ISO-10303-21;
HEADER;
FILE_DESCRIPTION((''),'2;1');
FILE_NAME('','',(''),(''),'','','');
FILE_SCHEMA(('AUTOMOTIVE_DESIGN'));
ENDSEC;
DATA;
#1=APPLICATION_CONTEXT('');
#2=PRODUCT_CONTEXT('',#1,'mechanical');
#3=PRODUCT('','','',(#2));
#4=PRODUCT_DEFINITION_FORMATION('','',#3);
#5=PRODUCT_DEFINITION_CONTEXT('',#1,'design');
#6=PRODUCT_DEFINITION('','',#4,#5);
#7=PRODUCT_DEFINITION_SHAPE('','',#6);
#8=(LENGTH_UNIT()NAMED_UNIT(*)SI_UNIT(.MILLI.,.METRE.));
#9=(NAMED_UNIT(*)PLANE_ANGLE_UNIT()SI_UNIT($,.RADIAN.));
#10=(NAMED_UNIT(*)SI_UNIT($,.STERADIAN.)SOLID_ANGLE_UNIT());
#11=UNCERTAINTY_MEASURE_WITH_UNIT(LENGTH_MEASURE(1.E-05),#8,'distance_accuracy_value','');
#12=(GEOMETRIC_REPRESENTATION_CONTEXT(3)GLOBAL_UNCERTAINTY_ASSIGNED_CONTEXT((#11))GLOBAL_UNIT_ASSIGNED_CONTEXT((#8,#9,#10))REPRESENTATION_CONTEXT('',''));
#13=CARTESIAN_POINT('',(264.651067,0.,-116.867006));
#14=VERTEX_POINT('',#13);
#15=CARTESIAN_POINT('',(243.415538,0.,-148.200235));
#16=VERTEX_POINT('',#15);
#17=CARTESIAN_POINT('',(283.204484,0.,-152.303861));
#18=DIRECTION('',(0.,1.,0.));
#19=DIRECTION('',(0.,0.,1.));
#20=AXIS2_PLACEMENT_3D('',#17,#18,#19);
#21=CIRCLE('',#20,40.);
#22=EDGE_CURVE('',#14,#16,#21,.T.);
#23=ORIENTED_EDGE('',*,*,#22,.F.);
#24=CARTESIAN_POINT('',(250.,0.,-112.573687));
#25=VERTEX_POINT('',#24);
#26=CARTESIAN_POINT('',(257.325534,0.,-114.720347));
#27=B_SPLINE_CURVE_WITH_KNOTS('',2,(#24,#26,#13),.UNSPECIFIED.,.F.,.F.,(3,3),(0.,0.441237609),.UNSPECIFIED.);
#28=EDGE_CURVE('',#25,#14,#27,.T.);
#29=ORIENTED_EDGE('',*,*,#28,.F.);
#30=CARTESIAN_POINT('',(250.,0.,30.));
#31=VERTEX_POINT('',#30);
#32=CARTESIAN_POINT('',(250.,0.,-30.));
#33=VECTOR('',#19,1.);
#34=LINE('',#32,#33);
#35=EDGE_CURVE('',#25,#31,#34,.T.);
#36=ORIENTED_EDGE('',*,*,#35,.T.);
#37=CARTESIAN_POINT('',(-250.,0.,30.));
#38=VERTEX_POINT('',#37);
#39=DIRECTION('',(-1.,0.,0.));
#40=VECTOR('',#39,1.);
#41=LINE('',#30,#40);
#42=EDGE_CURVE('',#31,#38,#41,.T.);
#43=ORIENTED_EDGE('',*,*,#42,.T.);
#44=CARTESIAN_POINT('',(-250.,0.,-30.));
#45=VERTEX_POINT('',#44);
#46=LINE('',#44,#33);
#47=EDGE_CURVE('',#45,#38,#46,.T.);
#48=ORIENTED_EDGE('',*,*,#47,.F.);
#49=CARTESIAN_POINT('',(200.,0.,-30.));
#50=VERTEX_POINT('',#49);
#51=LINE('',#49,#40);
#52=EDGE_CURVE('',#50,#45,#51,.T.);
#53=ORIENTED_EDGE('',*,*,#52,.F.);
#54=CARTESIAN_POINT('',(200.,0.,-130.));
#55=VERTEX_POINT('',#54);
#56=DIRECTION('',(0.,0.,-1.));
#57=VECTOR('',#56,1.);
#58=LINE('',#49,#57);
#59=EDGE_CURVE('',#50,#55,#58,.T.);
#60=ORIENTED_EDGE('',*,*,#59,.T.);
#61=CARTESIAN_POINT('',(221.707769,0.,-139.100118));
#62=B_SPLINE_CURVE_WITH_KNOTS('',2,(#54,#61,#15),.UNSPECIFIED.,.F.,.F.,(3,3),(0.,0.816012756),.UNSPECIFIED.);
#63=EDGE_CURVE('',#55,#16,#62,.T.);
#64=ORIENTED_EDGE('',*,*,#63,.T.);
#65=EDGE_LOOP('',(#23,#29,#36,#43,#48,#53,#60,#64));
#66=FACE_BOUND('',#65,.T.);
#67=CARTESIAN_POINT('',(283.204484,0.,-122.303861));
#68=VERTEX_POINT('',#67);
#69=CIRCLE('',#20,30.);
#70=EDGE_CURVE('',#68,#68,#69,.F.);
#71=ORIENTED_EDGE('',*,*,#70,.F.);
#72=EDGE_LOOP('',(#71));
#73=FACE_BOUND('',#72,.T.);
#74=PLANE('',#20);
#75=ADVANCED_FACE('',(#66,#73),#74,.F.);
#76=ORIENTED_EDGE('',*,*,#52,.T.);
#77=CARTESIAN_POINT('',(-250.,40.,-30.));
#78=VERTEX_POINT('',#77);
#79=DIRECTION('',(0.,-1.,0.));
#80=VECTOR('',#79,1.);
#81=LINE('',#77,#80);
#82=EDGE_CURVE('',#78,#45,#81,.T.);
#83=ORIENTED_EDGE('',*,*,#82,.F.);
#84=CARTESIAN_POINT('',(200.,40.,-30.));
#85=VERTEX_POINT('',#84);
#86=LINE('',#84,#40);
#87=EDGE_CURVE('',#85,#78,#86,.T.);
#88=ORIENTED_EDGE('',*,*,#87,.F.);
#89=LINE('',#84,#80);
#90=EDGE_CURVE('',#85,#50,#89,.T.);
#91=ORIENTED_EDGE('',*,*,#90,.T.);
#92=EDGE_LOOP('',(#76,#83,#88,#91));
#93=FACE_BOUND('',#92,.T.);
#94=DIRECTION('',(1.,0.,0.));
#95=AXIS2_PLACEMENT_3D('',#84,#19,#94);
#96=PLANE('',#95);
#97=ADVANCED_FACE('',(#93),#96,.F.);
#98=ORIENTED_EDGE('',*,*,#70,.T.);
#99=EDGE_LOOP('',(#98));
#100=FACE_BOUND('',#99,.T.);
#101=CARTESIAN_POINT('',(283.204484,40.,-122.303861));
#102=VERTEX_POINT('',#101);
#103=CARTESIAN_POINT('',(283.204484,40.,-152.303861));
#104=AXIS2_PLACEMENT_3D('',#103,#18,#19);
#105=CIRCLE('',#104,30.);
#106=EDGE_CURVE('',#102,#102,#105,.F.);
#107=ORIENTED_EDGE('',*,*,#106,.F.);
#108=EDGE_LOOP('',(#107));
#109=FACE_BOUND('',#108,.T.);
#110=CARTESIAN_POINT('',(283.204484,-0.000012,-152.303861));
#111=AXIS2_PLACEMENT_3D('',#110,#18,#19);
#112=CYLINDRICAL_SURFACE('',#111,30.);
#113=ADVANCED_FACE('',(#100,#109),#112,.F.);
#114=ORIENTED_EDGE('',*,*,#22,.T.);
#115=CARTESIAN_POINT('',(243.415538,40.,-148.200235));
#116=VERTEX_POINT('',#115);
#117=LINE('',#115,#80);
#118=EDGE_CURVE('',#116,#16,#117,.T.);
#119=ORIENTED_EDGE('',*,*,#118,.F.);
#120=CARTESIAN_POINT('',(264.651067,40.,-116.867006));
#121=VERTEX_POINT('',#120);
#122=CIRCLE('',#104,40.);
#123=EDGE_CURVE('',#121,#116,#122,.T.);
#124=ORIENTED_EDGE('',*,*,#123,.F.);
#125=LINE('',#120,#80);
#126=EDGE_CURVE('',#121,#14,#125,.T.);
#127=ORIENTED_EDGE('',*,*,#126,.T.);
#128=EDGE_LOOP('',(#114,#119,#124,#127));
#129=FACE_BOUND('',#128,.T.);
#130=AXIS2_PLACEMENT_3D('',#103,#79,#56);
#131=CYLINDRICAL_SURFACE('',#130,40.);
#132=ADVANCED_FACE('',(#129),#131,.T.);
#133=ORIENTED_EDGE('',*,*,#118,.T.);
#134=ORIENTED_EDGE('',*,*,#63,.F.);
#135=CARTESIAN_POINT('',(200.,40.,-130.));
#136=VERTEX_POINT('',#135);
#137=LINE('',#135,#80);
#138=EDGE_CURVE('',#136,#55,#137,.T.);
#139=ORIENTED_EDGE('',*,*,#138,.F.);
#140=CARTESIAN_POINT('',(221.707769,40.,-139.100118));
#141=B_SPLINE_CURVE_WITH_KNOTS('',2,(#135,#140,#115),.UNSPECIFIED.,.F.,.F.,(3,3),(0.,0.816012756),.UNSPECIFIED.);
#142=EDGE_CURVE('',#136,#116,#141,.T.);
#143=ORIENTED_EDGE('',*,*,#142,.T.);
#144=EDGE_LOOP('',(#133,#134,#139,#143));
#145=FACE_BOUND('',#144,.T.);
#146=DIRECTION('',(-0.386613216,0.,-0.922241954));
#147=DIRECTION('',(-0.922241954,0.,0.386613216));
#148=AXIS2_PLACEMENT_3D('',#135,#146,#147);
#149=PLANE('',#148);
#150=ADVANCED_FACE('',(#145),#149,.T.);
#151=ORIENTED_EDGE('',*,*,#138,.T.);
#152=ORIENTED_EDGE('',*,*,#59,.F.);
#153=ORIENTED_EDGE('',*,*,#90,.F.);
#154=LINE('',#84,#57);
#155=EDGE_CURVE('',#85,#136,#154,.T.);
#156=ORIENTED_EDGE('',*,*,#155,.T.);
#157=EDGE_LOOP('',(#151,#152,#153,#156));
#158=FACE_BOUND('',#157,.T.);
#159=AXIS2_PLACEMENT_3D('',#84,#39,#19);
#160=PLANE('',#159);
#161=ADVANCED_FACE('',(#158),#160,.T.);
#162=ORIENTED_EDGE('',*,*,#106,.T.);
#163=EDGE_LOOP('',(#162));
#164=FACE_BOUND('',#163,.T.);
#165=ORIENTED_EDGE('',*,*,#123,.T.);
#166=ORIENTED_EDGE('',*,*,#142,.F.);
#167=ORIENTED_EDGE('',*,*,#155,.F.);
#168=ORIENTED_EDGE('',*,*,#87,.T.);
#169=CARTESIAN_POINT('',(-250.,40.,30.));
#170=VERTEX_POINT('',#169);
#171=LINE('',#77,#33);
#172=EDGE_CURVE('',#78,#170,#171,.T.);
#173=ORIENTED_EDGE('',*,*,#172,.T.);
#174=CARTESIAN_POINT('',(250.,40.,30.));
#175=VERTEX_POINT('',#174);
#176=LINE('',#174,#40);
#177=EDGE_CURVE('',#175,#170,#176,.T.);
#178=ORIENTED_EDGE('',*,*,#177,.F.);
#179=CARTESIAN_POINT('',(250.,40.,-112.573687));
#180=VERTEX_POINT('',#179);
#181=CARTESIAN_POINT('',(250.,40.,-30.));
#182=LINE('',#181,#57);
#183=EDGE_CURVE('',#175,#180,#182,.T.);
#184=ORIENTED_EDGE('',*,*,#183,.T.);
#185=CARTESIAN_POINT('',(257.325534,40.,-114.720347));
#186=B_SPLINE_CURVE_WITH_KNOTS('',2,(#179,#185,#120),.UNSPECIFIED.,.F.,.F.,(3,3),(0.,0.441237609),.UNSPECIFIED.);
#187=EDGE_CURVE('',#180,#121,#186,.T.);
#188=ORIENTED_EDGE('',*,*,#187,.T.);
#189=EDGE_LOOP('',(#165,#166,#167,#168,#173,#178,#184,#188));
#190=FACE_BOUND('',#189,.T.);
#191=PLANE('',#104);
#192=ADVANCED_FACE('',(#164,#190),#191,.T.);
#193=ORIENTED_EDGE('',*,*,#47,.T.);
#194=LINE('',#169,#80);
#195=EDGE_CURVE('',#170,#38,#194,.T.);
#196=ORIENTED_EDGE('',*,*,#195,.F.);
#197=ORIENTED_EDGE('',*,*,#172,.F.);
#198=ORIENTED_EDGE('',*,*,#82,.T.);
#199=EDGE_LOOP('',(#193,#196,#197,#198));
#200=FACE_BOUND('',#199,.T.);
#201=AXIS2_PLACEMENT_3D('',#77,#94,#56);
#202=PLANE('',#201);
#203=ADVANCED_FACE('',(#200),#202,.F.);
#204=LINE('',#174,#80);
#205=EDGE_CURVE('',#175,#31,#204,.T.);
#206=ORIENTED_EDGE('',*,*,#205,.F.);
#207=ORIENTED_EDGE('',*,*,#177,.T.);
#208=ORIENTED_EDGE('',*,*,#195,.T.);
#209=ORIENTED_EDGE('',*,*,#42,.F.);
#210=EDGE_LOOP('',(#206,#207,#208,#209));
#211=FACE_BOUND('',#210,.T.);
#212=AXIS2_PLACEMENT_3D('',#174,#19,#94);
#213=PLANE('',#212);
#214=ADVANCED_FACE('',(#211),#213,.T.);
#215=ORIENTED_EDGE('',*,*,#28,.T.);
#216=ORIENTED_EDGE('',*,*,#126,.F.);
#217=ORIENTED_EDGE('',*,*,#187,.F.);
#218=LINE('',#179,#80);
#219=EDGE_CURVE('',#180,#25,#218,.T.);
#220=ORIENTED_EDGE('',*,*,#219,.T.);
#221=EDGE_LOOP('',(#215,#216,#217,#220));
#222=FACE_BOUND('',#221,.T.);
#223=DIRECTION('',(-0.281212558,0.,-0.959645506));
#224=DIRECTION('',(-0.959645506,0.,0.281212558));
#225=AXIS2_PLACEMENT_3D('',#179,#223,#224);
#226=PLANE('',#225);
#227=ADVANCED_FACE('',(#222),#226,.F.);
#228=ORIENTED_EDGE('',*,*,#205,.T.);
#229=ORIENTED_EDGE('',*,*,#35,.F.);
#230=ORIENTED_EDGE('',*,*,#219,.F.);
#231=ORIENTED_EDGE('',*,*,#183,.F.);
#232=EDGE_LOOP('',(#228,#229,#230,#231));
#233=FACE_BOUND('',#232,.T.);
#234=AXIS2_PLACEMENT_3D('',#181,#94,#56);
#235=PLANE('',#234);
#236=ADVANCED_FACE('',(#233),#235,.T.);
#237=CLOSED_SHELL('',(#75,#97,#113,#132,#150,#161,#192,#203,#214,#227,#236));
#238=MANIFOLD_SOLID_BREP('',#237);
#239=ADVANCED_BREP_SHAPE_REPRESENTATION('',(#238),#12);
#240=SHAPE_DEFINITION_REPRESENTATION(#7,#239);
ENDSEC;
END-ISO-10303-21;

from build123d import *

# Parameters (mm, degrees)
BOSS_EXTRUDE4_DEPTH            = 40
CUT_EXTRUDE1_REACH             = 42
SKETCH6_R                      = 30
CUT_EXTRUDE1_DIRECTION_2_DEPTH = 1.0000001


with BuildPart() as part:
    # Sketch2 → Boss-Extrude4 (new body)
    with BuildSketch(Plane(origin=(0, 0, 0), x_dir=(1, 0, 0), z_dir=(0, 1, 0))):
        with BuildLine():
            Line((200, 30), (-250, 30))
            Line((-250, 30), (-250, -30))
            Line((-250, -30), (250, -30))
            Line((250, -30), (250, 30))
            Line((250, 30), (250, 112.573687244))
            add(Edge.make_bspline(
                [(250, 112.573687244), (257.32553359, 114.720346637), (264.651067179, 116.867006031)],
                knots=[0, 0, 0, 0.441237609, 0.441237609, 0.441237609], degree=2))
            ThreePointArc((264.651067179, 116.867006031), (316.316425408, 174.744880654), (243.415537745, 148.200235436))
            add(Edge.make_bspline(
                [(200, 130), (221.707768873, 139.100117718), (243.415537745, 148.200235436)],
                knots=[0, 0, 0, 0.816012756, 0.816012756, 0.816012756], degree=2))
            Line((200, 130), (200, 30))
        make_face()
    extrude(amount=BOSS_EXTRUDE4_DEPTH)

    # Sketch6 → Cut-Extrude1 (cut, up to next)
    with BuildSketch(Plane.XZ, mode=Mode.PRIVATE) as cut_extrude1_sk1:
        with Locations((283.204484122, -152.303861418)):
            Circle(SKETCH6_R)
    cut_extrude1_tool1 = extrude(cut_extrude1_sk1.sketch, amount=-CUT_EXTRUDE1_REACH, mode=Mode.PRIVATE) & part.part
    add(cut_extrude1_tool1.solids().sort_by_distance((283.204484, 0, -152.303861))[0], mode=Mode.SUBTRACT)

    # Sketch6 → Cut-Extrude1 direction 2 (cut)
    with BuildSketch(Plane.XZ):
        with Locations((283.204484122, -152.303861418)):
            Circle(SKETCH6_R)
    extrude(amount=CUT_EXTRUDE1_DIRECTION_2_DEPTH, mode=Mode.SUBTRACT)


solid = part.part
